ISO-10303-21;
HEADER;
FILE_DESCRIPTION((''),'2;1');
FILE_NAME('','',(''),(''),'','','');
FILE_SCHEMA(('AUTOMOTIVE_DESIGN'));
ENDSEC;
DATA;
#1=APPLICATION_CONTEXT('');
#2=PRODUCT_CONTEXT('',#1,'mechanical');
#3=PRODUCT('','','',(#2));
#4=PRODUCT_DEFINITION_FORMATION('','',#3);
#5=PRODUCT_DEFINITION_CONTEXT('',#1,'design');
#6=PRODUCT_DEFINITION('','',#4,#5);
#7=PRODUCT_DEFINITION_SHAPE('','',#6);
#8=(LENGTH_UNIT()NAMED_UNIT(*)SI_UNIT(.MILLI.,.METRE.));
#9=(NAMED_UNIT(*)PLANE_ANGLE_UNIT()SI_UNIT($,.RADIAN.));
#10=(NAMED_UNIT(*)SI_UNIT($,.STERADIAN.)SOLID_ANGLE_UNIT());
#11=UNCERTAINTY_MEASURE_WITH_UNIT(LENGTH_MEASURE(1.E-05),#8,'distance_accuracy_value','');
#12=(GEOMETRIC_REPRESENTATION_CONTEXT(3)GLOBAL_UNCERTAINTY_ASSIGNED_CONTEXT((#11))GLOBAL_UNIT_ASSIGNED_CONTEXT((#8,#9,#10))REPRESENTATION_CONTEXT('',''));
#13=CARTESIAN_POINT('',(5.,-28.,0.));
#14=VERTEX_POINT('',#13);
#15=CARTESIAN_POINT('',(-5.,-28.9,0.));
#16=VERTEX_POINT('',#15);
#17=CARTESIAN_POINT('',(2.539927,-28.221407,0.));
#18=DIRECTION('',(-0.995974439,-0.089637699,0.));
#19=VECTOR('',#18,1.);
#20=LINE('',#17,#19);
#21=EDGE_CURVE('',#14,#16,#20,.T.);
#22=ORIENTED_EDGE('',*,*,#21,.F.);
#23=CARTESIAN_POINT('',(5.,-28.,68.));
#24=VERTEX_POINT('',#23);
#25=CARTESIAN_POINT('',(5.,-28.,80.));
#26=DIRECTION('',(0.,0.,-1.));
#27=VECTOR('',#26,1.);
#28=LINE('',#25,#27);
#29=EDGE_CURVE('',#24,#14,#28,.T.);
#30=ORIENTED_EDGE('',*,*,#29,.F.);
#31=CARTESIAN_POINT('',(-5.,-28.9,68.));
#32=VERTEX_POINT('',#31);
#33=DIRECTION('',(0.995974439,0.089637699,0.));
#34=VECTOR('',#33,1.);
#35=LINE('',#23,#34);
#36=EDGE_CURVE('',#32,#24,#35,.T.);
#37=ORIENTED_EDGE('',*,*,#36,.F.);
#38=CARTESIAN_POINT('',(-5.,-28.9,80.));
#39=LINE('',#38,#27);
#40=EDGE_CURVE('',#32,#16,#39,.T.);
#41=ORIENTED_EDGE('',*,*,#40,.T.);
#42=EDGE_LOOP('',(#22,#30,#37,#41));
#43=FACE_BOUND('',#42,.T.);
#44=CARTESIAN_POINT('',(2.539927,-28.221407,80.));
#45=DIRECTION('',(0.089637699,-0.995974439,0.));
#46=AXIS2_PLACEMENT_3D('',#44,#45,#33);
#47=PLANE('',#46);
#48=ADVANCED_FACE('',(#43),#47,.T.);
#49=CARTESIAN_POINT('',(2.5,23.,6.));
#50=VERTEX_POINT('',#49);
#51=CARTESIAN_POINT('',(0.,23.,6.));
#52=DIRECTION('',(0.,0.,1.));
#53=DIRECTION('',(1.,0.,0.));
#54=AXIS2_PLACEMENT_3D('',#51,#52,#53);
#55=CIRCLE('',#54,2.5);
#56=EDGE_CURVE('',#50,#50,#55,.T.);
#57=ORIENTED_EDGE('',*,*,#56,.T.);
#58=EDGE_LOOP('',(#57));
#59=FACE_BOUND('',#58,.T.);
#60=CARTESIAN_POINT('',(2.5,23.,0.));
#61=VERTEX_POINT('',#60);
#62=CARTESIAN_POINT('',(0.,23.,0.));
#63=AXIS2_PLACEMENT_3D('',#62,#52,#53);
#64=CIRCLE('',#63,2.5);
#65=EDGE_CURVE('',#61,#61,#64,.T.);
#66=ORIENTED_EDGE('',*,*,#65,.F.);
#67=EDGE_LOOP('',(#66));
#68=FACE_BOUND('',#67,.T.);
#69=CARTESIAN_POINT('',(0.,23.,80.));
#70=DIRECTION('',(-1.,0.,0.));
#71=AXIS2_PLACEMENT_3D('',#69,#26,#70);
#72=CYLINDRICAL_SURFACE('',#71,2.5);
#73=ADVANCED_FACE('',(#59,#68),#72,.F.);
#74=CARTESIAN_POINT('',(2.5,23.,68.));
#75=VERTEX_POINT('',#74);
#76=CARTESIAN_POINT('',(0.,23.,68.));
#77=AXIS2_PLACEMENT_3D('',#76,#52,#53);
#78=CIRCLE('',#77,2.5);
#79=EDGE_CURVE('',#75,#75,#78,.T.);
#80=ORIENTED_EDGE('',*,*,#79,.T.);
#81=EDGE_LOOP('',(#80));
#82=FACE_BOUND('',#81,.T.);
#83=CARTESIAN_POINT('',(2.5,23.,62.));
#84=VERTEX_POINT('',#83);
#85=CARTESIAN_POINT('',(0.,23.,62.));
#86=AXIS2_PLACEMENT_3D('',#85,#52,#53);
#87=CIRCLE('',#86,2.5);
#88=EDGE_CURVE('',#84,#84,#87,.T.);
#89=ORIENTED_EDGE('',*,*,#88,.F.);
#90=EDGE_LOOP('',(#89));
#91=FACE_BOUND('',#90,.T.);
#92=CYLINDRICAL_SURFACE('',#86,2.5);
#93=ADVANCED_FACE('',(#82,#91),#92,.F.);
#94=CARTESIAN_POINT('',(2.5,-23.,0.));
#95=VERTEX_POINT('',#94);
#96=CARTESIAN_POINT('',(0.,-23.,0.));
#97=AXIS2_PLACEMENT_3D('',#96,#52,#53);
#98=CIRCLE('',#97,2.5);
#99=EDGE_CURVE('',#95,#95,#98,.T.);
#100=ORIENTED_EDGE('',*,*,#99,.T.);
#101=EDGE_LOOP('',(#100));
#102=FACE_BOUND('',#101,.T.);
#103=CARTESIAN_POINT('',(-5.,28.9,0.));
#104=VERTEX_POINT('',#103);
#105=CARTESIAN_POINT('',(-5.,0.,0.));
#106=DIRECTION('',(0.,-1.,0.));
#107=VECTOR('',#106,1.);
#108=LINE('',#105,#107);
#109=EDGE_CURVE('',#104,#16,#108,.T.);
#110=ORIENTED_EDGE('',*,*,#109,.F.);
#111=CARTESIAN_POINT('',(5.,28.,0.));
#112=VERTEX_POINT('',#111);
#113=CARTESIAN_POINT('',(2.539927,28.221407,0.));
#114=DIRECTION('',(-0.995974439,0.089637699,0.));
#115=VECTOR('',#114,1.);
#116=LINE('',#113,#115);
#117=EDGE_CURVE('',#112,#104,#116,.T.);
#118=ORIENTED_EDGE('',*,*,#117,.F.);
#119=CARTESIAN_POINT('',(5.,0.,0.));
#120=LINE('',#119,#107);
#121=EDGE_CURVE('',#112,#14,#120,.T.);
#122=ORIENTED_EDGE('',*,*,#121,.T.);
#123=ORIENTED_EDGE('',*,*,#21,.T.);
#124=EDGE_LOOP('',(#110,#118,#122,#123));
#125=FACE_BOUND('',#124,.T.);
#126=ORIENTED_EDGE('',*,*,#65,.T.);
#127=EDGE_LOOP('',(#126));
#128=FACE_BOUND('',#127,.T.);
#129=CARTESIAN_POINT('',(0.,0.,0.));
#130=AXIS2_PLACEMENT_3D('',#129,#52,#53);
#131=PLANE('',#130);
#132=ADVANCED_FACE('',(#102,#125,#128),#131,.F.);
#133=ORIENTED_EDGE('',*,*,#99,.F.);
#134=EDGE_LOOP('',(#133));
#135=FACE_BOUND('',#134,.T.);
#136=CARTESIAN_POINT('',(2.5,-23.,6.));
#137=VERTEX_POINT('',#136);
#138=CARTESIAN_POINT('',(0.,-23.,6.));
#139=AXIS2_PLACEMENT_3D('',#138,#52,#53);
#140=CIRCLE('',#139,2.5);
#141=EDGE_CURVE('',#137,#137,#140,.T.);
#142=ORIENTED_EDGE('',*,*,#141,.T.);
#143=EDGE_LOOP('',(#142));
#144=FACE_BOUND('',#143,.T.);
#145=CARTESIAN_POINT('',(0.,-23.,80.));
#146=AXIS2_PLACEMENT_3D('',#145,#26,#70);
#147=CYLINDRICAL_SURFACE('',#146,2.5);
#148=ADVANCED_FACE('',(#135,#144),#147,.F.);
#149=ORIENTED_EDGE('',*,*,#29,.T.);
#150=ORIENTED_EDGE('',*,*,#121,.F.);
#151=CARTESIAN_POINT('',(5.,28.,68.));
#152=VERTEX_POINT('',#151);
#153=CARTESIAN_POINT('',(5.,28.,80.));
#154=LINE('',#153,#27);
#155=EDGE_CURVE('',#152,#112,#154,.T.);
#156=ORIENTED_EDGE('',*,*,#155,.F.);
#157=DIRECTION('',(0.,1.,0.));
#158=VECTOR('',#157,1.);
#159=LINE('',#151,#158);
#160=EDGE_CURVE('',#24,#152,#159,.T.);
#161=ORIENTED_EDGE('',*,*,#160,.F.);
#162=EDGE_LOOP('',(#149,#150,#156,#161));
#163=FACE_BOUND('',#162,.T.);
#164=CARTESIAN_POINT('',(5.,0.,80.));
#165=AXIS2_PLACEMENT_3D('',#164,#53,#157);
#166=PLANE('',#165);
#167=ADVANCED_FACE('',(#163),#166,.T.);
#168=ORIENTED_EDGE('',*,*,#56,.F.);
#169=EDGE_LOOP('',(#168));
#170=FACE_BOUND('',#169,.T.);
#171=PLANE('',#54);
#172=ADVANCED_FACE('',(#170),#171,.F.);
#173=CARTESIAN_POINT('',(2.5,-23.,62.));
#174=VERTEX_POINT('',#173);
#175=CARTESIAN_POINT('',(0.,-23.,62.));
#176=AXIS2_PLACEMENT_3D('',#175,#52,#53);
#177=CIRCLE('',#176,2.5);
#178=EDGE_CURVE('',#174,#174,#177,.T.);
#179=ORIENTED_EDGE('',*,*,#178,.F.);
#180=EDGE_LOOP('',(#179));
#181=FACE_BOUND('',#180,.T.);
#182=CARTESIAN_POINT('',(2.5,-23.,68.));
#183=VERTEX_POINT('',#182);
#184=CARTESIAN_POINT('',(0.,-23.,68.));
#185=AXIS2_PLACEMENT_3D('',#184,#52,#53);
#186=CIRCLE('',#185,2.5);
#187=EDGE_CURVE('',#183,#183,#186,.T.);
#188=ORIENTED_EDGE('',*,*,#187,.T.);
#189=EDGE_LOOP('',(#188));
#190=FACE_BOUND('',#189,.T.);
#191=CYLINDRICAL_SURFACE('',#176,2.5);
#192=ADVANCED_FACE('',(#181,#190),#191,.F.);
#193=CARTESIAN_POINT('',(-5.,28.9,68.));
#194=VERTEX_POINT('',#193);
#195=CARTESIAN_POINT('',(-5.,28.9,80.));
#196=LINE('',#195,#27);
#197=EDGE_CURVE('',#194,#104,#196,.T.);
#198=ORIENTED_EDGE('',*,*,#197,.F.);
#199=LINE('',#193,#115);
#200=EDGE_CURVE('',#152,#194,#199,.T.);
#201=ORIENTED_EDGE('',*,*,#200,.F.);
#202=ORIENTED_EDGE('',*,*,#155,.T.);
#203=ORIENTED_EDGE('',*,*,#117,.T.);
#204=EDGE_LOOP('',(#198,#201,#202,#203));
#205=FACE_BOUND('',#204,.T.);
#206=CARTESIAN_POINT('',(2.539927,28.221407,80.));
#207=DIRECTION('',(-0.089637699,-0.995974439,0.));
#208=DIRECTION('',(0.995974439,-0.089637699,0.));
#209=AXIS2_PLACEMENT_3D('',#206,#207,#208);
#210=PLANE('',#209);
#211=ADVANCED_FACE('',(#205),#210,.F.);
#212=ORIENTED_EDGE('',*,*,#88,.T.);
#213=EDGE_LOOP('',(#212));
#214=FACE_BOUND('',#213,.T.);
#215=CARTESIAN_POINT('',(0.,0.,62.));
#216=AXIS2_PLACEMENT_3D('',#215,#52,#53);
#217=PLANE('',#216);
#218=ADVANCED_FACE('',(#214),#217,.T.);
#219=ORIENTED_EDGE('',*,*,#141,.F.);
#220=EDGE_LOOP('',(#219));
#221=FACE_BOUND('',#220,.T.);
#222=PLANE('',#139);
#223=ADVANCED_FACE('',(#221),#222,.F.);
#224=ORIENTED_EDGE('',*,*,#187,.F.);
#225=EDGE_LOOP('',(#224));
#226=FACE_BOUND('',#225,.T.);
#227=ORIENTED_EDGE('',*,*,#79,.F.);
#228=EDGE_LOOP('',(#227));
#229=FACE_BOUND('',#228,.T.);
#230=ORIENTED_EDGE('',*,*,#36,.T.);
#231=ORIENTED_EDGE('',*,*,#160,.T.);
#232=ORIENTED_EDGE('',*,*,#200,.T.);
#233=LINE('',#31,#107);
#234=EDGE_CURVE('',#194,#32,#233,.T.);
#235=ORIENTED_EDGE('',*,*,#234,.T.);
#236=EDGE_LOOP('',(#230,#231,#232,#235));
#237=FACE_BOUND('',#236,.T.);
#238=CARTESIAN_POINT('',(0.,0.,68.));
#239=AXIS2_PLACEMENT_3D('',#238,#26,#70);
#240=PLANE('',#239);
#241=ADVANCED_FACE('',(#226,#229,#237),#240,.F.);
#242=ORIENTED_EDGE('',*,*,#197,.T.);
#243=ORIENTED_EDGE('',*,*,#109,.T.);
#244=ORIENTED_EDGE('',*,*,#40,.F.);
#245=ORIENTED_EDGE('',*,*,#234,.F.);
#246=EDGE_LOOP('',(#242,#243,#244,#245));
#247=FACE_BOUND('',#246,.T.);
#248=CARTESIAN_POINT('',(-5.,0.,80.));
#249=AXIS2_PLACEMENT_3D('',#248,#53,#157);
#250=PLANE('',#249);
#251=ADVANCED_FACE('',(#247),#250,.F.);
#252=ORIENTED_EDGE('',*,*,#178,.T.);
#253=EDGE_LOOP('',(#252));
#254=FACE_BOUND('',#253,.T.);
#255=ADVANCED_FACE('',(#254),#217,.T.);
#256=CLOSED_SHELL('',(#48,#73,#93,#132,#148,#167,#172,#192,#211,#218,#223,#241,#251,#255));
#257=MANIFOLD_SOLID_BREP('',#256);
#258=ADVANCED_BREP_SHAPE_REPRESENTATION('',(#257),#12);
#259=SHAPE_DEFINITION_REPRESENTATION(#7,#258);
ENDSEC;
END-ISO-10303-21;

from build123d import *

# Parameters (mm, degrees)
SKETCH1_R           = 2.5
BOSS_EXTRUDE1_DEPTH = 80
BOSS_EXTRUDE2_START = -74
SKETCH2_R           = 2.5
BOSS_EXTRUDE2_DEPTH = 74
SKETCH3_R           = 2.5
CUT_EXTRUDE1_DEPTH  = 6
SKETCH4_R           = 2.5
CUT_EXTRUDE2_DEPTH  = 6
CUT_EXTRUDE3_DEPTH  = 12
CUT_EXTRUDE4_START  = -6
SKETCH6_R           = 2.5
CUT_EXTRUDE4_DEPTH  = 6


with BuildPart() as part:
    # Sketch1 → Boss-Extrude1 (new body)
    with BuildSketch(Plane.XY):
        Polygon((5, 28), (-5, 28.9), (-5, -28.9), (5, -28), align=None)
        with Locations((0, -23)):
            Circle(SKETCH1_R, mode=Mode.SUBTRACT)
        with Locations((0, 23)):
            Circle(SKETCH1_R, mode=Mode.SUBTRACT)
    extrude(amount=BOSS_EXTRUDE1_DEPTH)

    # Sketch2 → Boss-Extrude2 (add)
    with BuildSketch(Plane.XY.offset(80).offset(BOSS_EXTRUDE2_START)):
        with Locations((0, 23)):
            Circle(SKETCH2_R)
        with Locations((0, -23)):
            Circle(SKETCH2_R)
    extrude(amount=BOSS_EXTRUDE2_DEPTH)

    # Sketch3 → Cut-Extrude1 (cut)
    with BuildSketch(Plane.XY.offset(80)):
        with Locations((0, 23.038742356)):
            Circle(SKETCH3_R)
    extrude(amount=-CUT_EXTRUDE1_DEPTH, mode=Mode.SUBTRACT)

    # Sketch4 → Cut-Extrude2 (cut)
    with BuildSketch(Plane.XY.offset(80)):
        with Locations((0, -23.038742356)):
            Circle(SKETCH4_R)
    extrude(amount=-CUT_EXTRUDE2_DEPTH, mode=Mode.SUBTRACT)

    # Sketch5 → Cut-Extrude3 (cut)
    with BuildSketch(Plane.XY.offset(80)):
        Polygon((-5, 28.9), (5, 28), (5, -28), (-5, -28.9), align=None)
    extrude(amount=-CUT_EXTRUDE3_DEPTH, mode=Mode.SUBTRACT)

    # Sketch6 → Cut-Extrude4 (cut)
    with BuildSketch(Plane.XY.offset(68).offset(CUT_EXTRUDE4_START)):
        with Locations((0, 23)):
            Circle(SKETCH6_R)
        with Locations((0, -23)):
            Circle(SKETCH6_R)
    extrude(amount=CUT_EXTRUDE4_DEPTH, mode=Mode.SUBTRACT)


solid = part.part
